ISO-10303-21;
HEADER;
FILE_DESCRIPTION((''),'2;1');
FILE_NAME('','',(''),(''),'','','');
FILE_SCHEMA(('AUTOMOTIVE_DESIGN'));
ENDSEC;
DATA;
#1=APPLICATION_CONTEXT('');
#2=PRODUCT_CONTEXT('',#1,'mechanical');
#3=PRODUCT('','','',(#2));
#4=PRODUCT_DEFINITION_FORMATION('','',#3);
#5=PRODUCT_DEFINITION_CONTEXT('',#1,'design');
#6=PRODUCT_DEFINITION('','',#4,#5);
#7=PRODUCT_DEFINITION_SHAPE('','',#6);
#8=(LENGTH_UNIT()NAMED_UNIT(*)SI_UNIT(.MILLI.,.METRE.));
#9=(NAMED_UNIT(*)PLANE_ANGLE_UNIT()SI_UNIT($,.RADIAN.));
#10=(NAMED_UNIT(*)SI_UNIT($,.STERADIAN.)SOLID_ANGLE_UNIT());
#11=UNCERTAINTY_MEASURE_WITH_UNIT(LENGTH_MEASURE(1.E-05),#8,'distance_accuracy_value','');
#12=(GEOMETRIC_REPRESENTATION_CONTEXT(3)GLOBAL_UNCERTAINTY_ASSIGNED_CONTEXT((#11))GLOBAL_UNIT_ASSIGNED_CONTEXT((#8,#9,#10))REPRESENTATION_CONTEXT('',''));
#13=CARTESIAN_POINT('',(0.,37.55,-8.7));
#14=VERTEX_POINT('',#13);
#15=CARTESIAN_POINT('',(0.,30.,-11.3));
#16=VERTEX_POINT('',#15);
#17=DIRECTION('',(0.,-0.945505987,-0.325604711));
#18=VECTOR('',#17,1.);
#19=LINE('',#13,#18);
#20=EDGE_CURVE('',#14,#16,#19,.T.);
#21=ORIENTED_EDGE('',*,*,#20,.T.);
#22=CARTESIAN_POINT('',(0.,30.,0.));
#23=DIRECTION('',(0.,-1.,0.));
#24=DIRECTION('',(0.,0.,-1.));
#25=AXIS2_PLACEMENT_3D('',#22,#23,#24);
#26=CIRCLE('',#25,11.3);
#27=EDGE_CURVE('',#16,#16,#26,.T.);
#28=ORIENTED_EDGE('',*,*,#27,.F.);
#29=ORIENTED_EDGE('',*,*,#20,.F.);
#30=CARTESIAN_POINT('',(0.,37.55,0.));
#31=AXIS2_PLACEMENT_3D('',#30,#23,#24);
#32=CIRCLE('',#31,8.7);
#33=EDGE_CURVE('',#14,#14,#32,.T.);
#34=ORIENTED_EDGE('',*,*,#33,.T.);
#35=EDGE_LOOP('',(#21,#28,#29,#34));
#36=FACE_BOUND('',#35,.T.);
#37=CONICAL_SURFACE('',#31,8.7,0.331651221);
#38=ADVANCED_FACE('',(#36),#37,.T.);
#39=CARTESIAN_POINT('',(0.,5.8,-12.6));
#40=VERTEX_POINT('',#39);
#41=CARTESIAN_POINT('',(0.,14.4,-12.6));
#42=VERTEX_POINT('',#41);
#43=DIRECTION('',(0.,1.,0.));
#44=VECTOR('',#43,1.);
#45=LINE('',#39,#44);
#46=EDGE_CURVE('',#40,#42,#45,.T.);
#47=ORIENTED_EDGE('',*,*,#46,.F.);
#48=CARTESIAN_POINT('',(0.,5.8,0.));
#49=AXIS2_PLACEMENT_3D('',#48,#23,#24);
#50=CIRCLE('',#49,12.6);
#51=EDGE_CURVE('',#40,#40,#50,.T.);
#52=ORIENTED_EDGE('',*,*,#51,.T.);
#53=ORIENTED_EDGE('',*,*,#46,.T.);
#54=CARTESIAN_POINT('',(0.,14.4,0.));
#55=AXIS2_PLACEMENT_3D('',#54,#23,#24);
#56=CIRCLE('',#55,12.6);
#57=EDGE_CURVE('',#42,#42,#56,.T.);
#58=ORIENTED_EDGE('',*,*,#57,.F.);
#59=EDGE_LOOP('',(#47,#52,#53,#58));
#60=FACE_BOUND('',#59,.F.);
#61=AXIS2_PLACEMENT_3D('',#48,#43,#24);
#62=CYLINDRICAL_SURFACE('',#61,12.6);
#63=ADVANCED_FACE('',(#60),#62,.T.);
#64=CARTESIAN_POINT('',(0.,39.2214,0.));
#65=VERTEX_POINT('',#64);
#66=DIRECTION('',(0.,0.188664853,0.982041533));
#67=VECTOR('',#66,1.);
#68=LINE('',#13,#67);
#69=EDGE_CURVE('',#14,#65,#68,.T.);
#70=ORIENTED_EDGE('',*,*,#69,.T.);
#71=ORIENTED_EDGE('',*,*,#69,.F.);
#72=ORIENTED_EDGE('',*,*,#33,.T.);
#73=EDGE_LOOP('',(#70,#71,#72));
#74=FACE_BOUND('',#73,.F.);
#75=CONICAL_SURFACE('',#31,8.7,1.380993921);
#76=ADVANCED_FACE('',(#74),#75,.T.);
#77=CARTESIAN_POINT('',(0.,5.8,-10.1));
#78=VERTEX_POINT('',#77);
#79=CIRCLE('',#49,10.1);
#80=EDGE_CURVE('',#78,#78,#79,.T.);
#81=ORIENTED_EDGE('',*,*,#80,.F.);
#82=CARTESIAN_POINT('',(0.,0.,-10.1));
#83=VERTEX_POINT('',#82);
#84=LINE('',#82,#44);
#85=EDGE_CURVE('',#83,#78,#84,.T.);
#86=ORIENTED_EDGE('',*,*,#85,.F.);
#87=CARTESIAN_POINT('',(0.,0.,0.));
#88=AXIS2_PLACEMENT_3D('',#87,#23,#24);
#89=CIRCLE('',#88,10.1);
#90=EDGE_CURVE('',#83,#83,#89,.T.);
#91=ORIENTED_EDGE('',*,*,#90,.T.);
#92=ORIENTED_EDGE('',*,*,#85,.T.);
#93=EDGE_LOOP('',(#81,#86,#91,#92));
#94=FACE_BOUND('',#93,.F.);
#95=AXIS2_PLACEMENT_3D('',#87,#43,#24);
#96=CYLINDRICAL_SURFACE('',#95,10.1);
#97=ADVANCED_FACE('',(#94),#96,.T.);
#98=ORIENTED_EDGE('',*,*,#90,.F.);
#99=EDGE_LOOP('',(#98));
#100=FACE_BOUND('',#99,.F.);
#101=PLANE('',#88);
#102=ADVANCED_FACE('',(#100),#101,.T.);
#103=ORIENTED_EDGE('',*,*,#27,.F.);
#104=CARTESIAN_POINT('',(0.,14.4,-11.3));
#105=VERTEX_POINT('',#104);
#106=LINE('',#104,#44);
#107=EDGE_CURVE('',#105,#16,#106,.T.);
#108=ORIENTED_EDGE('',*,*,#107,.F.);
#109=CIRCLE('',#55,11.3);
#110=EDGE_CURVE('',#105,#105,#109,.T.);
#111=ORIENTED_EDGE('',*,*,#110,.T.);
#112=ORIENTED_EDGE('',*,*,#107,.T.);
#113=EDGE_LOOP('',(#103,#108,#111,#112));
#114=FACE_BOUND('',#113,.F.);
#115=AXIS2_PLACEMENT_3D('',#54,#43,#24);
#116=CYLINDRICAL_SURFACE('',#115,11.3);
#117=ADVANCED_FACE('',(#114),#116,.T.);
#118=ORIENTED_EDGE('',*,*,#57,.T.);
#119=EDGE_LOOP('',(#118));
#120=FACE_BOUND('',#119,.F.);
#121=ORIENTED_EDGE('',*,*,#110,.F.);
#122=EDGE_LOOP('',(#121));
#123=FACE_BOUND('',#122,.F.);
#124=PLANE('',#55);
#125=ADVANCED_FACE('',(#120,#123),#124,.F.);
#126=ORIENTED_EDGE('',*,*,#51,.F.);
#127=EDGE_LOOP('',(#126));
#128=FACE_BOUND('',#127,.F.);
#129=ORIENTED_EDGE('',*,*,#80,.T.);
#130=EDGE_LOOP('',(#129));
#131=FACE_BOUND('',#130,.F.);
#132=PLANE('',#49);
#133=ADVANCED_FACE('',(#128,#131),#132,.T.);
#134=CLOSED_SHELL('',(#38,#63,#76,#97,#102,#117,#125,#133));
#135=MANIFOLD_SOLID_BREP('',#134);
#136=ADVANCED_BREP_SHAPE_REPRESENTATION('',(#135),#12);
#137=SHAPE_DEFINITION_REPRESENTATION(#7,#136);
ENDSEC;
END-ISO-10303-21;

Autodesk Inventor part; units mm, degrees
ref_plane "YZ Plane" through (0, 0, 0) normal (1, 0, 0) x (0, 1, 0)
ref_plane "XZ Plane" through (0, 0, 0) normal (0, 1, 0) x (-1, 0, 0)
ref_plane "XY Plane" through (0, 0, 0) normal (0, 0, 1) x (1, 0, 0)
sketch "Sketch1" plane through (0, 0, 0) normal (1, 0, 0) x (0, 1, 0)
  line L0 (0, 0) -> (0, -10.1)
  line L1 (0, -10.1) -> (5.8, -10.1)
  line L2 (5.8, -10.1) -> (5.8, -12.6)
  line L3 (5.8, -12.6) -> (14.4, -12.6)
  line L4 (14.4, -12.6) -> (14.4, -11.3)
  line L5 (14.4, -11.3) -> (30, -11.3)
  line L6 (30, -11.3) -> (37.55, -11.3)
  line L7 (37.55, -11.3) -> (37.55, -8.7)
  line L8 (37.55, -8.7) -> (30, -11.3)
  line L9 (37.55, -8.7) -> (39.2214, 0)
  line L10 (39.2214, 0) -> (0, 0)
  dimension "d0" = 10.1
  dimension "d1" = 5.8
  dimension "d2" = 90
  dimension "d3" = 2.5
  dimension "d4" = 90
  dimension "d5" = 8.6
  dimension "d6" = 1.3
  dimension "d7" = 90
  dimension "d8" = 15.6
  dimension "d9" = 7.55
  dimension "d10" = 2.6
revolve "Revolution1" add sketch "Sketch1" angle 360 about axis through (0, 39.2214, 0) along (0, -1, 0) contours L10 L9 L8 L5 L4 L3 L2 L1 L0
properties part number "30_CUBE_openSIM_ObjectiveLens_10x"
